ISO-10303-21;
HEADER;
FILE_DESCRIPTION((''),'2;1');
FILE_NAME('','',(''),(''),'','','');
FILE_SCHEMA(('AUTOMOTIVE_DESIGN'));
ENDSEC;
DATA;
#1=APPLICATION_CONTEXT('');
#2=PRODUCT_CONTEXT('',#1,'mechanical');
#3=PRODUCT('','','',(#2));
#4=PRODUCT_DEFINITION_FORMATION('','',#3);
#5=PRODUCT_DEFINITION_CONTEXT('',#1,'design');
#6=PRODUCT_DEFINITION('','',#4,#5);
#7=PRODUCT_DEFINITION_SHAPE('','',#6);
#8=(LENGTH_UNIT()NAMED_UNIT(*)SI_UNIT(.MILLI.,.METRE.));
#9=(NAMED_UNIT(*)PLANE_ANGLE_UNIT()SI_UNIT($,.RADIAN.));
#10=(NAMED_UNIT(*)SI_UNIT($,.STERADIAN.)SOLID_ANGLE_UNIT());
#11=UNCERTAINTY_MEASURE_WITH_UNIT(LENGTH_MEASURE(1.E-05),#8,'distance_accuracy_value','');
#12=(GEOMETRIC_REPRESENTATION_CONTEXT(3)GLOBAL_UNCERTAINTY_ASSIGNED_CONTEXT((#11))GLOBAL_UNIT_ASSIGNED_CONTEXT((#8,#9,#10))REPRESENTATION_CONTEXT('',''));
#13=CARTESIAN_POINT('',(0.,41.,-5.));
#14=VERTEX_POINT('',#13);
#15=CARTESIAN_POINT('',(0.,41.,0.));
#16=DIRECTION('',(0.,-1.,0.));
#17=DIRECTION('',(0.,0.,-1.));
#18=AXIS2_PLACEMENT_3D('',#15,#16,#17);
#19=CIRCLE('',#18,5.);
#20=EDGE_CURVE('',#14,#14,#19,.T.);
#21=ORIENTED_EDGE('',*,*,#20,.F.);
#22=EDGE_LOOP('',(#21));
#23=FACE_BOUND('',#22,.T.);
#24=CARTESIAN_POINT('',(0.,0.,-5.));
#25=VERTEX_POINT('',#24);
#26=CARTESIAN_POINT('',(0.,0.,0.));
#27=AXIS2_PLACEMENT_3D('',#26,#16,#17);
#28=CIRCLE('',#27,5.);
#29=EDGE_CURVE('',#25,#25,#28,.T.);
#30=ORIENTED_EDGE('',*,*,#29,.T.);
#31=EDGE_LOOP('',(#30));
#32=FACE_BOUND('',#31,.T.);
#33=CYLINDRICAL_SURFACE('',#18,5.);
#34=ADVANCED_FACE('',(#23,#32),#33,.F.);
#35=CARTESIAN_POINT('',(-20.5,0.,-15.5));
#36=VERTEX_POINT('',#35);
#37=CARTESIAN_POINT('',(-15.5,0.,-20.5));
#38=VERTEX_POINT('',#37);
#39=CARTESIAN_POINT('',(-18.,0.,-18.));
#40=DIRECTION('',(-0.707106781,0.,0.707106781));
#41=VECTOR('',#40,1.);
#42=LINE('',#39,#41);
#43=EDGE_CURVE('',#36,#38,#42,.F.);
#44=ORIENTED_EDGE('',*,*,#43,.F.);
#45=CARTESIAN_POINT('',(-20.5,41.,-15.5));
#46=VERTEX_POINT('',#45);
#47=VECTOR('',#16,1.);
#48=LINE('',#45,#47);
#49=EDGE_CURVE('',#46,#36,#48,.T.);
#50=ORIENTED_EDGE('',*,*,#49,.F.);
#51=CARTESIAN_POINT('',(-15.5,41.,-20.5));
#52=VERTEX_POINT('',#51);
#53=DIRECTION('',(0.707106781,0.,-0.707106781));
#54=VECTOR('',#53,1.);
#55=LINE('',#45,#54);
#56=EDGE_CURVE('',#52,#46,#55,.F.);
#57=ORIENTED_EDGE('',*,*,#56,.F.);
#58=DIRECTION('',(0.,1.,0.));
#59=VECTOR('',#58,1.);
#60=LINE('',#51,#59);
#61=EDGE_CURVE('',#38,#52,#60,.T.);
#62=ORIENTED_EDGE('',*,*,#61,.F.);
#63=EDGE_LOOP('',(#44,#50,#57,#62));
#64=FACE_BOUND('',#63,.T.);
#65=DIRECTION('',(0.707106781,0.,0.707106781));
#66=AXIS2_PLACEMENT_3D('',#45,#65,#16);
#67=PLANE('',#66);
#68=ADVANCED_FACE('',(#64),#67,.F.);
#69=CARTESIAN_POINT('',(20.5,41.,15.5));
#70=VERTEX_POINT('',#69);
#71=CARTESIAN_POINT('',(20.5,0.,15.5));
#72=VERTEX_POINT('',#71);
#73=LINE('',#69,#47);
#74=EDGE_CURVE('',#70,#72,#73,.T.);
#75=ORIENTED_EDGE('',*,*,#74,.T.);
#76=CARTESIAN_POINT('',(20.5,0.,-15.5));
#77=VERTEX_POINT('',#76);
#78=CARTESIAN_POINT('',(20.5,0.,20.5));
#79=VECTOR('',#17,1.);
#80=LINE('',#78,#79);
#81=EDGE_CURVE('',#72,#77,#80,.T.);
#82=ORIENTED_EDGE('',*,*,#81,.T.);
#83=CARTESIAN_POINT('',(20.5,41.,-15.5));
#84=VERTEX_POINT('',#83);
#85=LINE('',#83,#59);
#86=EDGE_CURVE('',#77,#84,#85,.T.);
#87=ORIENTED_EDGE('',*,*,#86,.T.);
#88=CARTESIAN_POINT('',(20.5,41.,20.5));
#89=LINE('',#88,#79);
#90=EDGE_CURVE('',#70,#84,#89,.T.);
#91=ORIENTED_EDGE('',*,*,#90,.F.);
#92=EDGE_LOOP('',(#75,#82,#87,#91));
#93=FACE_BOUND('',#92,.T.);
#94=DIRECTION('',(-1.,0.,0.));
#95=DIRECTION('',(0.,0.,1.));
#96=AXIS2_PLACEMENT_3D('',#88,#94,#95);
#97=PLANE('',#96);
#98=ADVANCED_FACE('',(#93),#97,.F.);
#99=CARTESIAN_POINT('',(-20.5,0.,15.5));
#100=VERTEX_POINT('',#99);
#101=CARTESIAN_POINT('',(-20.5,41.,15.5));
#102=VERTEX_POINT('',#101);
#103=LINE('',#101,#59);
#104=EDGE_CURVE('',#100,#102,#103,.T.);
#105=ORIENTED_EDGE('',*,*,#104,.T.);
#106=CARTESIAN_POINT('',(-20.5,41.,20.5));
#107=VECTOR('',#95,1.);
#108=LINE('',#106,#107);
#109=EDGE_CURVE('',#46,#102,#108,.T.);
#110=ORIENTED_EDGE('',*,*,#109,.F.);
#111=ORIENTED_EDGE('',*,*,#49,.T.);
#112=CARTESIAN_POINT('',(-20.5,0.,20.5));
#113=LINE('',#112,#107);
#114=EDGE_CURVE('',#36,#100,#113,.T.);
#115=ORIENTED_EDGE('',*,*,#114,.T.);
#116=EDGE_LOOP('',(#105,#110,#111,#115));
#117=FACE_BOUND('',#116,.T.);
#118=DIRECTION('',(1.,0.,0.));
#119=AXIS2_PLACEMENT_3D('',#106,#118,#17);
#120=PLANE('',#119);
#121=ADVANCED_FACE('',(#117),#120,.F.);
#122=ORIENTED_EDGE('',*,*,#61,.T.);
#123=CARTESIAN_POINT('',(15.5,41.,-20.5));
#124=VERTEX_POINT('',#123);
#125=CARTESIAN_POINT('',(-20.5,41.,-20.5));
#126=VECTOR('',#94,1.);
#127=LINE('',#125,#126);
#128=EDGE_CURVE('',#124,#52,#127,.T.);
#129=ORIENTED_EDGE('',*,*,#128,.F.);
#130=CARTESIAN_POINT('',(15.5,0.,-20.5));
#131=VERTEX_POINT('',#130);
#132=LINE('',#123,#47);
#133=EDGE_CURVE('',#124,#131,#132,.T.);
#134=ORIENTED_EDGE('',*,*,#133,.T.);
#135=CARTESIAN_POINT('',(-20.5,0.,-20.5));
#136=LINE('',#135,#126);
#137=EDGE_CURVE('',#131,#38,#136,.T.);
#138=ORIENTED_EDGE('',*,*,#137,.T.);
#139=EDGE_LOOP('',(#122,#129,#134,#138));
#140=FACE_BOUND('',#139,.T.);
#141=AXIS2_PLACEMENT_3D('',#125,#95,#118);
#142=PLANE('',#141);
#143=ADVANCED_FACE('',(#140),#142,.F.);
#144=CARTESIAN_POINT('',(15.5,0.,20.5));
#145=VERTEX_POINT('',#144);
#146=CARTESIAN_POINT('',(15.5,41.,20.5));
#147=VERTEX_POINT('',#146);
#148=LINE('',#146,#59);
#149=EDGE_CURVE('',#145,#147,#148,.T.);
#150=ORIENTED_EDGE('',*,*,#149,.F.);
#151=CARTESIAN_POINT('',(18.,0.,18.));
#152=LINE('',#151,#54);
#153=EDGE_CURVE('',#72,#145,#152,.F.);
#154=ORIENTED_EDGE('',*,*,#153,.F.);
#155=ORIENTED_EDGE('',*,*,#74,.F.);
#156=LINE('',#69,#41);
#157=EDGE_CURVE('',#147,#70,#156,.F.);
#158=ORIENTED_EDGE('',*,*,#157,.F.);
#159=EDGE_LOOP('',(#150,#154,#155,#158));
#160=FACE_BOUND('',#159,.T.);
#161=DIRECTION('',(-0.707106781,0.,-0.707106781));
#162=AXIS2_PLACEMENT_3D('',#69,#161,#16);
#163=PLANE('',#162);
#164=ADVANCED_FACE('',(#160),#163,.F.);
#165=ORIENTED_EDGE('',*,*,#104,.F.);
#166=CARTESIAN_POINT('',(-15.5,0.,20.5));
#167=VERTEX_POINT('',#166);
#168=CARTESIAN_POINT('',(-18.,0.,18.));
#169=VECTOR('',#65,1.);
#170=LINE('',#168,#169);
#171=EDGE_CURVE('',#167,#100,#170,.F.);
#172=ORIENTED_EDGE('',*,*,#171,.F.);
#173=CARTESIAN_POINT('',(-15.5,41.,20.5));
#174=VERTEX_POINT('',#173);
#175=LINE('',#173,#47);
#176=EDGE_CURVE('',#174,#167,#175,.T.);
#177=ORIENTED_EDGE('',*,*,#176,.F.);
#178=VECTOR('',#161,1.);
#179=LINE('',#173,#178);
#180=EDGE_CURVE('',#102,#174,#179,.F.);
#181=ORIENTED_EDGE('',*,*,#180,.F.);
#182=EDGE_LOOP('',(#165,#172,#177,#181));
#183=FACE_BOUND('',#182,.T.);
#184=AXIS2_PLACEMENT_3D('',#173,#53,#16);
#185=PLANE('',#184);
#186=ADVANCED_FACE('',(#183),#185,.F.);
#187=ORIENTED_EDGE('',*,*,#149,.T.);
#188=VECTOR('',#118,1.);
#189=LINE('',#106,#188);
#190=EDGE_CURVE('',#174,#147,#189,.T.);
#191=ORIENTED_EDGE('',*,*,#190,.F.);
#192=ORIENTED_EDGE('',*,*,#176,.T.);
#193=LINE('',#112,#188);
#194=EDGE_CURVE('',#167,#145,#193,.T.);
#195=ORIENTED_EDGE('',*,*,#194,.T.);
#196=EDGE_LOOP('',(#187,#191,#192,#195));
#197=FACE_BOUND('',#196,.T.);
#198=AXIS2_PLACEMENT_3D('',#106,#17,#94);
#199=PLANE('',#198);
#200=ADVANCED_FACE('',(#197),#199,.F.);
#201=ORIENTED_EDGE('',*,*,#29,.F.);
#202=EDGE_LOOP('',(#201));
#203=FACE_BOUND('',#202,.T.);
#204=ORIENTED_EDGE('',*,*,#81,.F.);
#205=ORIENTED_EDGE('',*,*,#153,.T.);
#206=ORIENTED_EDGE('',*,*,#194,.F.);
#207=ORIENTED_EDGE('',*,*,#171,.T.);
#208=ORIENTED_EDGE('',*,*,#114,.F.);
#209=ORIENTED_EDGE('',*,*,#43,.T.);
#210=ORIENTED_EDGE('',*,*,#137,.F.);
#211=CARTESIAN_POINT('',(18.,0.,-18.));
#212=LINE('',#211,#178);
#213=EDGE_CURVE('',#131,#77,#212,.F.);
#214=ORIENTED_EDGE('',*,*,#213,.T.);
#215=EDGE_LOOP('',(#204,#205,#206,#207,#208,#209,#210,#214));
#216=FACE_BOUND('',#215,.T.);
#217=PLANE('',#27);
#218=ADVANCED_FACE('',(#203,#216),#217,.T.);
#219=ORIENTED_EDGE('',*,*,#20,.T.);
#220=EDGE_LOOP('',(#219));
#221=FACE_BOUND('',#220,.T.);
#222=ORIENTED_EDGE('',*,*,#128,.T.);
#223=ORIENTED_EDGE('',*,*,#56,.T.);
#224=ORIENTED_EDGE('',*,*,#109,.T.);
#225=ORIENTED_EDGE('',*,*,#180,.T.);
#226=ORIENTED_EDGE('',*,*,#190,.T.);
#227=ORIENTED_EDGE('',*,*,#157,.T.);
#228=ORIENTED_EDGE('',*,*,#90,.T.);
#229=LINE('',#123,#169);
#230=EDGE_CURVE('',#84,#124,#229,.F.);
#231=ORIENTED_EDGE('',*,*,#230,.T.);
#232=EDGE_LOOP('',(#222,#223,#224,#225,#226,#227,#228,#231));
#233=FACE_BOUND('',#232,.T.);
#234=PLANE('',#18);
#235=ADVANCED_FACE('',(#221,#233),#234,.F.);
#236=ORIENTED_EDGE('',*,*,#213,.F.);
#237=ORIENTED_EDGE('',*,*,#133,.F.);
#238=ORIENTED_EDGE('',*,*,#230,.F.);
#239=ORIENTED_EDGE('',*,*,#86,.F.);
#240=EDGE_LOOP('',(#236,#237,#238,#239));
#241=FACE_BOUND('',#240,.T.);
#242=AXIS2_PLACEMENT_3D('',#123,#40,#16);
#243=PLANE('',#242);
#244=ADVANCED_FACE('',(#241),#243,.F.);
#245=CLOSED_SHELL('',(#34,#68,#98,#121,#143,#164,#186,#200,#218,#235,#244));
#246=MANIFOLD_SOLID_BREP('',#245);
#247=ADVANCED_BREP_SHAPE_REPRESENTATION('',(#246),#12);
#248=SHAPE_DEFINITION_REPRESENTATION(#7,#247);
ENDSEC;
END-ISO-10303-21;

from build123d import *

# Parameters (mm, degrees)
SKETCH1_W           = 41
SKETCH1_H           = 41
BOSS_EXTRUDE1_DEPTH = 41
CHAMFER1_SIZE       = 5
SKETCH2_R           = 5
CUT_EXTRUDE1_DEPTH  = 42


with BuildPart() as part:
    # Sketch1 → Boss-Extrude1 (new body)
    with BuildSketch(Plane(origin=(0, 0, 0), x_dir=(1, 0, 0), z_dir=(0, 1, 0))):
        Rectangle(SKETCH1_W, SKETCH1_H)
    extrude(amount=BOSS_EXTRUDE1_DEPTH)

    # Chamfer1
    chamfer1_edges = [part.edges().sort_by_distance(p)[0] for p in [
        (20.5, 20.5, 20.5),
        (-20.5, 20.5, 20.5),
        (-20.5, 20.5, -20.5),
        (20.5, 20.5, -20.5),
    ]]
    chamfer(chamfer1_edges, length=CHAMFER1_SIZE)

    # Sketch2 → Cut-Extrude1 (cut, through all)
    with BuildSketch(Plane.XZ):
        Circle(SKETCH2_R)
    extrude(amount=-CUT_EXTRUDE1_DEPTH, mode=Mode.SUBTRACT)


solid = part.part
